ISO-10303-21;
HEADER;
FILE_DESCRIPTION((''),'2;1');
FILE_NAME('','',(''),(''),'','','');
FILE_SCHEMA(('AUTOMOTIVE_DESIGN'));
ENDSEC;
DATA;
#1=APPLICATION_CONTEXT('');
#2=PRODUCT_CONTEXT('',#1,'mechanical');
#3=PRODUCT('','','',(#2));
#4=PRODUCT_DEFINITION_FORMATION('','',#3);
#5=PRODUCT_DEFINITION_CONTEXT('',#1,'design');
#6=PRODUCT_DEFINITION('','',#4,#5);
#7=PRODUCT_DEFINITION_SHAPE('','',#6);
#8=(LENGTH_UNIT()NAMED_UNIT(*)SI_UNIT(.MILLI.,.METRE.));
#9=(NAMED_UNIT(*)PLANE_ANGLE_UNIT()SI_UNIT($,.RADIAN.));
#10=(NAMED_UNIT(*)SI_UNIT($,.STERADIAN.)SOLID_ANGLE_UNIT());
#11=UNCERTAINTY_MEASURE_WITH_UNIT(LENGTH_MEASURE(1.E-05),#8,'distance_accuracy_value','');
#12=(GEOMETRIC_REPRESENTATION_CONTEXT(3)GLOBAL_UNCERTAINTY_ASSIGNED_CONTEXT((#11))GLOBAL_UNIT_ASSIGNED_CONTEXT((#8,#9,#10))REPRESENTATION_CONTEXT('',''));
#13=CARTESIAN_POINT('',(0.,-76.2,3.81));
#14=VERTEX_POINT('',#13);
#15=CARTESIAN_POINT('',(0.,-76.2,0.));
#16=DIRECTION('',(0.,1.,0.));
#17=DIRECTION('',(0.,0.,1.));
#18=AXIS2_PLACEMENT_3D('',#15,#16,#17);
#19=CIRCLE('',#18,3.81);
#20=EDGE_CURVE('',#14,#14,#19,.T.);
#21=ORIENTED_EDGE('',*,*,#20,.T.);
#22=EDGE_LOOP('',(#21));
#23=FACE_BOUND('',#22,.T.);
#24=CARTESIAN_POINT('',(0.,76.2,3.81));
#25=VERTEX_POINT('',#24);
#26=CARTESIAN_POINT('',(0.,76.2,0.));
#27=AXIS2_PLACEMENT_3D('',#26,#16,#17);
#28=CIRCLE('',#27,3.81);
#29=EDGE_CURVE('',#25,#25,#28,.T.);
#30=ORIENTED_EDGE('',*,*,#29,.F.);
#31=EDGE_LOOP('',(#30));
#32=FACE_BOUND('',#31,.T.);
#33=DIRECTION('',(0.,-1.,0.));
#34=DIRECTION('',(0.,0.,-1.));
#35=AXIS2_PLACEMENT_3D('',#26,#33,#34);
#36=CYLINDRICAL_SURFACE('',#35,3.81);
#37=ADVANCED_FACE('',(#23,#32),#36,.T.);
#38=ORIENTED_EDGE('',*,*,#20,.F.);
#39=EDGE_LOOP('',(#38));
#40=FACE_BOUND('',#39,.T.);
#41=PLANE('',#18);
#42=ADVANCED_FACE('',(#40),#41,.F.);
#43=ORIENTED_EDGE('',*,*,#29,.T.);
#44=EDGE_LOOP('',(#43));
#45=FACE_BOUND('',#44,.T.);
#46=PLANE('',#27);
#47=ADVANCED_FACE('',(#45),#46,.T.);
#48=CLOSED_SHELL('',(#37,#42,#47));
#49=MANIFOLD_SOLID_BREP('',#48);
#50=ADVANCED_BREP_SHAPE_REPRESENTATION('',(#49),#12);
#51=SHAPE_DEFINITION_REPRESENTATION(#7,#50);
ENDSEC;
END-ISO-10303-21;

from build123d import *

# Parameters (mm, degrees)
SKETCH1_R           = 3.81
BOSS_EXTRUDE1_DEPTH = 76.2


with BuildPart() as part:
    # Sketch1 → Boss-Extrude1 (new body, symmetric)
    with BuildSketch(Plane(origin=(0, 0, 0), x_dir=(1, 0, 0), z_dir=(0, 1, 0))):
        Circle(SKETCH1_R)
    extrude(amount=BOSS_EXTRUDE1_DEPTH, both=True)


solid = part.part
